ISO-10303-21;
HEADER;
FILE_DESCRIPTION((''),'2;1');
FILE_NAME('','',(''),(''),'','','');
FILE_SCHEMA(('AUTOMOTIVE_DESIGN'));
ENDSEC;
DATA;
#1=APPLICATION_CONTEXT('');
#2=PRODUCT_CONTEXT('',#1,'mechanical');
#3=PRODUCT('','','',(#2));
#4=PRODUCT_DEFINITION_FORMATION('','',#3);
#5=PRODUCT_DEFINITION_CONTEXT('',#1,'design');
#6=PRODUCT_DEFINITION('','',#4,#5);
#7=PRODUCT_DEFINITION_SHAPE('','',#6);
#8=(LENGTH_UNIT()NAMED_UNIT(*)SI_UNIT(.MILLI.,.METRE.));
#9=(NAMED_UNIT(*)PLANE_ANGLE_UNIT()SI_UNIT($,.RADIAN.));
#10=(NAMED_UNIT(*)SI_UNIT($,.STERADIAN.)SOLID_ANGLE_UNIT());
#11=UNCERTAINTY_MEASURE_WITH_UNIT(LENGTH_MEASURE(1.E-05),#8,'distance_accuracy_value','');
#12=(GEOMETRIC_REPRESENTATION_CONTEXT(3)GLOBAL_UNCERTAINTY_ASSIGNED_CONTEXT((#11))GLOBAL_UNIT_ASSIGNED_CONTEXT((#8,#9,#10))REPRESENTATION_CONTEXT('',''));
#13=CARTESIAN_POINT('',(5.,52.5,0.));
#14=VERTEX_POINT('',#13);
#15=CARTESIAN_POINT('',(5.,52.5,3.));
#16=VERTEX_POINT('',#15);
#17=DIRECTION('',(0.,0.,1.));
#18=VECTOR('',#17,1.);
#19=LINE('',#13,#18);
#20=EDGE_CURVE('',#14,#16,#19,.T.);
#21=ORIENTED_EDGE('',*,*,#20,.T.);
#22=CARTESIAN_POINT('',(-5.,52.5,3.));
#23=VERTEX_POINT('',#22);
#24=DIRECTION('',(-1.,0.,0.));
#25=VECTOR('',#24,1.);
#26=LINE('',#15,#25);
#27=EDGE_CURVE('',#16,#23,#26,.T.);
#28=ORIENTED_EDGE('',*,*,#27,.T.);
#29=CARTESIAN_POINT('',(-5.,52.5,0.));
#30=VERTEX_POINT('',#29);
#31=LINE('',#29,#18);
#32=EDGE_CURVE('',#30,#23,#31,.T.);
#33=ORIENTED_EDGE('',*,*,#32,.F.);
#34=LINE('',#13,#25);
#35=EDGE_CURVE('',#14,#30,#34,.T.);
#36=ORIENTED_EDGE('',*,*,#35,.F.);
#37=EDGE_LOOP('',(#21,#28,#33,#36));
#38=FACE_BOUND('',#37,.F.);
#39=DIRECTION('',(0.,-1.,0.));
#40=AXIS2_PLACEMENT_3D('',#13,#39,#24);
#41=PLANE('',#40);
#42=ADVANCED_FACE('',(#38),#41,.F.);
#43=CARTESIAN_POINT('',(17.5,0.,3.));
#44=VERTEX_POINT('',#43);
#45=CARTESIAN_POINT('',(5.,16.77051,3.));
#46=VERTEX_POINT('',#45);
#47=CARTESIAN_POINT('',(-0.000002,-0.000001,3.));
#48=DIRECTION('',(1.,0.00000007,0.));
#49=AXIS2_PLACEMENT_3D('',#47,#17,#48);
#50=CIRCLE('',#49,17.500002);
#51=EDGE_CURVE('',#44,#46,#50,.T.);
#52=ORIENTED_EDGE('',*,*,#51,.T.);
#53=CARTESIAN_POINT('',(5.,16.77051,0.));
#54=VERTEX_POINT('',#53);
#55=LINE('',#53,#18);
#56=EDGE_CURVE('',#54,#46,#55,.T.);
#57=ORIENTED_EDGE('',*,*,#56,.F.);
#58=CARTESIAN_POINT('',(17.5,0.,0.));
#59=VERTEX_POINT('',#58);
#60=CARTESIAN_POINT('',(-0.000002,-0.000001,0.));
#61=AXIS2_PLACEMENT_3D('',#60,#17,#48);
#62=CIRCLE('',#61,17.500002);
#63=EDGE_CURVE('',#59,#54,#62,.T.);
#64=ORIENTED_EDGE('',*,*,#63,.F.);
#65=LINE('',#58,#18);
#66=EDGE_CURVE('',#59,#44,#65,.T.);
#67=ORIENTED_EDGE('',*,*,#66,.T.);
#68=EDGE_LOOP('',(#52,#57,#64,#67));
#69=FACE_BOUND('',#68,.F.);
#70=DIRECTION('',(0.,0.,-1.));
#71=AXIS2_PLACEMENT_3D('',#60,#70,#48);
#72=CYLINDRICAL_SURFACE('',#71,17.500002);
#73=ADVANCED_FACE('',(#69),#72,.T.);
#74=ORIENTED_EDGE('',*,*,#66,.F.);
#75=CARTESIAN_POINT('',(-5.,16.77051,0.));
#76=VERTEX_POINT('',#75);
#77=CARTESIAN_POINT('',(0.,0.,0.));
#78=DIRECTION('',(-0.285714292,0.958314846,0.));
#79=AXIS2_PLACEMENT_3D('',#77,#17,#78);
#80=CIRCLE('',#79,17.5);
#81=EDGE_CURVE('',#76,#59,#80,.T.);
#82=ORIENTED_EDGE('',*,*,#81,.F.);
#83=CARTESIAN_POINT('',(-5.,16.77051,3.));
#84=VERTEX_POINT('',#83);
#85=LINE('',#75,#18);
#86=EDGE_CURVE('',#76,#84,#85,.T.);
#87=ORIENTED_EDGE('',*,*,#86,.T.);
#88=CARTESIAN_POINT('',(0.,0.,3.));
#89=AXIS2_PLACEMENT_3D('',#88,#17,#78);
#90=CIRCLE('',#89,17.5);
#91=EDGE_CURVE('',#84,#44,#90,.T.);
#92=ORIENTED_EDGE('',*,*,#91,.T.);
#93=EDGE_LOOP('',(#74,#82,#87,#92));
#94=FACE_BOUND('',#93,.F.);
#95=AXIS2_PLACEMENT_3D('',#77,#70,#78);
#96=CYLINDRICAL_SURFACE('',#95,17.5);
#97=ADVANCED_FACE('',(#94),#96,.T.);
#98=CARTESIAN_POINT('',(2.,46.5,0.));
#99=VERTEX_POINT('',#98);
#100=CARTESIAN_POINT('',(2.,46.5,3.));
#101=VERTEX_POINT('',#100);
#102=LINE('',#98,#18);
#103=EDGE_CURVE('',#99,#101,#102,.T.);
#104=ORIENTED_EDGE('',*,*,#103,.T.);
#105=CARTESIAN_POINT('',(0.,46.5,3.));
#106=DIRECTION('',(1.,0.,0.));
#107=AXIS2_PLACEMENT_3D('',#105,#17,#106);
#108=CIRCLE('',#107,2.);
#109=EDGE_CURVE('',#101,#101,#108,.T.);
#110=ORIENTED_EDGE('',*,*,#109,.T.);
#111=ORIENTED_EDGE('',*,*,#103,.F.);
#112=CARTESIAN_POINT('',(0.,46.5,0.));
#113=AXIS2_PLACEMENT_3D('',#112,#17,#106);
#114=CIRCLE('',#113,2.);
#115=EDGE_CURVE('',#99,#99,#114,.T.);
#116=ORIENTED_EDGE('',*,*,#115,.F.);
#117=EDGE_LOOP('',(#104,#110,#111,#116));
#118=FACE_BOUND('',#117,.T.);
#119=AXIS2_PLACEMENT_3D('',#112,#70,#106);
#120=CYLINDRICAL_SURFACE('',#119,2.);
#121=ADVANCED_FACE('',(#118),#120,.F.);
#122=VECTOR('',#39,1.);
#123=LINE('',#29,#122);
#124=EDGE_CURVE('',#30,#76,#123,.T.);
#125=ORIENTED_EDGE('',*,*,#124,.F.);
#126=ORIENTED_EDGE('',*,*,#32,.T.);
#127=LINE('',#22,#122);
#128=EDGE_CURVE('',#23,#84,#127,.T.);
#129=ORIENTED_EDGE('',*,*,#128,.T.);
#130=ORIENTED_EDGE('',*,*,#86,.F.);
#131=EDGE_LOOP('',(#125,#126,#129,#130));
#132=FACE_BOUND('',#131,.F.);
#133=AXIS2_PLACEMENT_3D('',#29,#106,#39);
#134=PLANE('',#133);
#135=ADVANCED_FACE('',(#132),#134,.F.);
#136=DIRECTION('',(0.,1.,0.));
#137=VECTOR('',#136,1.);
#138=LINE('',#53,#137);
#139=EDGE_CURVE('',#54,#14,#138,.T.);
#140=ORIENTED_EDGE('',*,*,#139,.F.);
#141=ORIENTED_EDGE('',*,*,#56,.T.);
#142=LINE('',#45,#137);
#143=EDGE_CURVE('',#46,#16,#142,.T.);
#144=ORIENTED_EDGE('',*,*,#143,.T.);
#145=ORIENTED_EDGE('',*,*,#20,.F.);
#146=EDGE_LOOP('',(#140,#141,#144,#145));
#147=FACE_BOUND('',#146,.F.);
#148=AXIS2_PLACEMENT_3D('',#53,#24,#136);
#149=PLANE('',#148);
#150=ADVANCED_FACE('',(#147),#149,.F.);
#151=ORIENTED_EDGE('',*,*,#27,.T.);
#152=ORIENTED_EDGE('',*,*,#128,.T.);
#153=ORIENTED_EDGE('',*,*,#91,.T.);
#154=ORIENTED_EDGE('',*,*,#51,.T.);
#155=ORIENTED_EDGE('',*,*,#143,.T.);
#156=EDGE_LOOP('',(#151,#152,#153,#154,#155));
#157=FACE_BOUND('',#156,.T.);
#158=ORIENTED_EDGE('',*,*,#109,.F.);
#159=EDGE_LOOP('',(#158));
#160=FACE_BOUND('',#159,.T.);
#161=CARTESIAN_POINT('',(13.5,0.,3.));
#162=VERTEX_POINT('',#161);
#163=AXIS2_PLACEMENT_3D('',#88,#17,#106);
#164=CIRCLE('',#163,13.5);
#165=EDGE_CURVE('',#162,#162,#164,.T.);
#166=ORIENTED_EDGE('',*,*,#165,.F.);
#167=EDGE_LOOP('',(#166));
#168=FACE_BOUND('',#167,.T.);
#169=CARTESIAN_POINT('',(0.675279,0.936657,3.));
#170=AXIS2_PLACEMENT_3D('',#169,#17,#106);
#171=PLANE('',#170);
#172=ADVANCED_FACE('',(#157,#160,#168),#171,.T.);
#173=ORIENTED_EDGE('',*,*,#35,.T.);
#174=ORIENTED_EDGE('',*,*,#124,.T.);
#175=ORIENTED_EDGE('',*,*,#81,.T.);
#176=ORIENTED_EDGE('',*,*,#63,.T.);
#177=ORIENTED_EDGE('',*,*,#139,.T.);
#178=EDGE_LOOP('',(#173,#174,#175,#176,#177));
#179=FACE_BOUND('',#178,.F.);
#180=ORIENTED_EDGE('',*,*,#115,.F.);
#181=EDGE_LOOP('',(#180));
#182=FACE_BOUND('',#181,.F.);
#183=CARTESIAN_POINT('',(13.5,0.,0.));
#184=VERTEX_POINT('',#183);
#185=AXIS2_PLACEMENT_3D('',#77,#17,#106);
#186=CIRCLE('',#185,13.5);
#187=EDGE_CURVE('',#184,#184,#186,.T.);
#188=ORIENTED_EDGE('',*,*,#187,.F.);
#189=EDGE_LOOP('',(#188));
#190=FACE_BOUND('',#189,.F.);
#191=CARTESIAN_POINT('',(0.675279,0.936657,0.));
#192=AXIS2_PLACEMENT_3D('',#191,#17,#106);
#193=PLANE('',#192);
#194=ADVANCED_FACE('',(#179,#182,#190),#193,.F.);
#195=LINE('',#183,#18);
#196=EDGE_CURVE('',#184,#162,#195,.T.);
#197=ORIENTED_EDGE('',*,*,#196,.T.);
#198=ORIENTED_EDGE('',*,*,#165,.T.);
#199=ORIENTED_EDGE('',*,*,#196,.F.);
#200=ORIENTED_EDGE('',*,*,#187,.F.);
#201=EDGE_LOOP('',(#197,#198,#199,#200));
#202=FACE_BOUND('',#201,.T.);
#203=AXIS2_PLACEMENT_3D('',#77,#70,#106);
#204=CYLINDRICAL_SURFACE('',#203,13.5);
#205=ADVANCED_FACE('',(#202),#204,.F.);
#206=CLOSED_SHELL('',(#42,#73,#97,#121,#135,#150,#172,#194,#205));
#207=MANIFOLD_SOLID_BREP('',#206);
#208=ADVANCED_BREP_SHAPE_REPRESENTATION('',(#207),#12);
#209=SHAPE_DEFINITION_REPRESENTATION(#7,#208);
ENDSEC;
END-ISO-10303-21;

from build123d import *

# Parameters (mm, degrees)
F0_R     = 13.5
F0_R_2   = 2
F1_DEPTH = 3


with BuildPart() as f1:
    # F0 (on Top) → F1 (new body)
    with BuildSketch(Plane.XY):
        with BuildLine():
            ThreePointArc((-5, 16.77051), (-10.45825, -14.031215), (17.5, 0))
            ThreePointArc((17.5, 0), (14.031215, 10.45825), (5, 16.77051))
            ThreePointArc((5, 16.77051), (0, 17.5), (-5, 16.77051))
        make_face()
        Circle(F0_R, mode=Mode.SUBTRACT)
        with BuildLine():
            ThreePointArc((-5, 16.77051), (0, 17.5), (5, 16.77051))
            Line((5, 16.77051), (5, 17.5))
            Line((5, 17.5), (5, 52.5))
            Line((5, 52.5), (-5, 52.5))
            Line((-5, 52.5), (-5, 17.5))
            Line((-5, 17.5), (-5, 16.77051))
        make_face()
        with Locations((0, 46.5)):
            Circle(F0_R_2, mode=Mode.SUBTRACT)
    extrude(amount=F1_DEPTH)


solid = f1.part
